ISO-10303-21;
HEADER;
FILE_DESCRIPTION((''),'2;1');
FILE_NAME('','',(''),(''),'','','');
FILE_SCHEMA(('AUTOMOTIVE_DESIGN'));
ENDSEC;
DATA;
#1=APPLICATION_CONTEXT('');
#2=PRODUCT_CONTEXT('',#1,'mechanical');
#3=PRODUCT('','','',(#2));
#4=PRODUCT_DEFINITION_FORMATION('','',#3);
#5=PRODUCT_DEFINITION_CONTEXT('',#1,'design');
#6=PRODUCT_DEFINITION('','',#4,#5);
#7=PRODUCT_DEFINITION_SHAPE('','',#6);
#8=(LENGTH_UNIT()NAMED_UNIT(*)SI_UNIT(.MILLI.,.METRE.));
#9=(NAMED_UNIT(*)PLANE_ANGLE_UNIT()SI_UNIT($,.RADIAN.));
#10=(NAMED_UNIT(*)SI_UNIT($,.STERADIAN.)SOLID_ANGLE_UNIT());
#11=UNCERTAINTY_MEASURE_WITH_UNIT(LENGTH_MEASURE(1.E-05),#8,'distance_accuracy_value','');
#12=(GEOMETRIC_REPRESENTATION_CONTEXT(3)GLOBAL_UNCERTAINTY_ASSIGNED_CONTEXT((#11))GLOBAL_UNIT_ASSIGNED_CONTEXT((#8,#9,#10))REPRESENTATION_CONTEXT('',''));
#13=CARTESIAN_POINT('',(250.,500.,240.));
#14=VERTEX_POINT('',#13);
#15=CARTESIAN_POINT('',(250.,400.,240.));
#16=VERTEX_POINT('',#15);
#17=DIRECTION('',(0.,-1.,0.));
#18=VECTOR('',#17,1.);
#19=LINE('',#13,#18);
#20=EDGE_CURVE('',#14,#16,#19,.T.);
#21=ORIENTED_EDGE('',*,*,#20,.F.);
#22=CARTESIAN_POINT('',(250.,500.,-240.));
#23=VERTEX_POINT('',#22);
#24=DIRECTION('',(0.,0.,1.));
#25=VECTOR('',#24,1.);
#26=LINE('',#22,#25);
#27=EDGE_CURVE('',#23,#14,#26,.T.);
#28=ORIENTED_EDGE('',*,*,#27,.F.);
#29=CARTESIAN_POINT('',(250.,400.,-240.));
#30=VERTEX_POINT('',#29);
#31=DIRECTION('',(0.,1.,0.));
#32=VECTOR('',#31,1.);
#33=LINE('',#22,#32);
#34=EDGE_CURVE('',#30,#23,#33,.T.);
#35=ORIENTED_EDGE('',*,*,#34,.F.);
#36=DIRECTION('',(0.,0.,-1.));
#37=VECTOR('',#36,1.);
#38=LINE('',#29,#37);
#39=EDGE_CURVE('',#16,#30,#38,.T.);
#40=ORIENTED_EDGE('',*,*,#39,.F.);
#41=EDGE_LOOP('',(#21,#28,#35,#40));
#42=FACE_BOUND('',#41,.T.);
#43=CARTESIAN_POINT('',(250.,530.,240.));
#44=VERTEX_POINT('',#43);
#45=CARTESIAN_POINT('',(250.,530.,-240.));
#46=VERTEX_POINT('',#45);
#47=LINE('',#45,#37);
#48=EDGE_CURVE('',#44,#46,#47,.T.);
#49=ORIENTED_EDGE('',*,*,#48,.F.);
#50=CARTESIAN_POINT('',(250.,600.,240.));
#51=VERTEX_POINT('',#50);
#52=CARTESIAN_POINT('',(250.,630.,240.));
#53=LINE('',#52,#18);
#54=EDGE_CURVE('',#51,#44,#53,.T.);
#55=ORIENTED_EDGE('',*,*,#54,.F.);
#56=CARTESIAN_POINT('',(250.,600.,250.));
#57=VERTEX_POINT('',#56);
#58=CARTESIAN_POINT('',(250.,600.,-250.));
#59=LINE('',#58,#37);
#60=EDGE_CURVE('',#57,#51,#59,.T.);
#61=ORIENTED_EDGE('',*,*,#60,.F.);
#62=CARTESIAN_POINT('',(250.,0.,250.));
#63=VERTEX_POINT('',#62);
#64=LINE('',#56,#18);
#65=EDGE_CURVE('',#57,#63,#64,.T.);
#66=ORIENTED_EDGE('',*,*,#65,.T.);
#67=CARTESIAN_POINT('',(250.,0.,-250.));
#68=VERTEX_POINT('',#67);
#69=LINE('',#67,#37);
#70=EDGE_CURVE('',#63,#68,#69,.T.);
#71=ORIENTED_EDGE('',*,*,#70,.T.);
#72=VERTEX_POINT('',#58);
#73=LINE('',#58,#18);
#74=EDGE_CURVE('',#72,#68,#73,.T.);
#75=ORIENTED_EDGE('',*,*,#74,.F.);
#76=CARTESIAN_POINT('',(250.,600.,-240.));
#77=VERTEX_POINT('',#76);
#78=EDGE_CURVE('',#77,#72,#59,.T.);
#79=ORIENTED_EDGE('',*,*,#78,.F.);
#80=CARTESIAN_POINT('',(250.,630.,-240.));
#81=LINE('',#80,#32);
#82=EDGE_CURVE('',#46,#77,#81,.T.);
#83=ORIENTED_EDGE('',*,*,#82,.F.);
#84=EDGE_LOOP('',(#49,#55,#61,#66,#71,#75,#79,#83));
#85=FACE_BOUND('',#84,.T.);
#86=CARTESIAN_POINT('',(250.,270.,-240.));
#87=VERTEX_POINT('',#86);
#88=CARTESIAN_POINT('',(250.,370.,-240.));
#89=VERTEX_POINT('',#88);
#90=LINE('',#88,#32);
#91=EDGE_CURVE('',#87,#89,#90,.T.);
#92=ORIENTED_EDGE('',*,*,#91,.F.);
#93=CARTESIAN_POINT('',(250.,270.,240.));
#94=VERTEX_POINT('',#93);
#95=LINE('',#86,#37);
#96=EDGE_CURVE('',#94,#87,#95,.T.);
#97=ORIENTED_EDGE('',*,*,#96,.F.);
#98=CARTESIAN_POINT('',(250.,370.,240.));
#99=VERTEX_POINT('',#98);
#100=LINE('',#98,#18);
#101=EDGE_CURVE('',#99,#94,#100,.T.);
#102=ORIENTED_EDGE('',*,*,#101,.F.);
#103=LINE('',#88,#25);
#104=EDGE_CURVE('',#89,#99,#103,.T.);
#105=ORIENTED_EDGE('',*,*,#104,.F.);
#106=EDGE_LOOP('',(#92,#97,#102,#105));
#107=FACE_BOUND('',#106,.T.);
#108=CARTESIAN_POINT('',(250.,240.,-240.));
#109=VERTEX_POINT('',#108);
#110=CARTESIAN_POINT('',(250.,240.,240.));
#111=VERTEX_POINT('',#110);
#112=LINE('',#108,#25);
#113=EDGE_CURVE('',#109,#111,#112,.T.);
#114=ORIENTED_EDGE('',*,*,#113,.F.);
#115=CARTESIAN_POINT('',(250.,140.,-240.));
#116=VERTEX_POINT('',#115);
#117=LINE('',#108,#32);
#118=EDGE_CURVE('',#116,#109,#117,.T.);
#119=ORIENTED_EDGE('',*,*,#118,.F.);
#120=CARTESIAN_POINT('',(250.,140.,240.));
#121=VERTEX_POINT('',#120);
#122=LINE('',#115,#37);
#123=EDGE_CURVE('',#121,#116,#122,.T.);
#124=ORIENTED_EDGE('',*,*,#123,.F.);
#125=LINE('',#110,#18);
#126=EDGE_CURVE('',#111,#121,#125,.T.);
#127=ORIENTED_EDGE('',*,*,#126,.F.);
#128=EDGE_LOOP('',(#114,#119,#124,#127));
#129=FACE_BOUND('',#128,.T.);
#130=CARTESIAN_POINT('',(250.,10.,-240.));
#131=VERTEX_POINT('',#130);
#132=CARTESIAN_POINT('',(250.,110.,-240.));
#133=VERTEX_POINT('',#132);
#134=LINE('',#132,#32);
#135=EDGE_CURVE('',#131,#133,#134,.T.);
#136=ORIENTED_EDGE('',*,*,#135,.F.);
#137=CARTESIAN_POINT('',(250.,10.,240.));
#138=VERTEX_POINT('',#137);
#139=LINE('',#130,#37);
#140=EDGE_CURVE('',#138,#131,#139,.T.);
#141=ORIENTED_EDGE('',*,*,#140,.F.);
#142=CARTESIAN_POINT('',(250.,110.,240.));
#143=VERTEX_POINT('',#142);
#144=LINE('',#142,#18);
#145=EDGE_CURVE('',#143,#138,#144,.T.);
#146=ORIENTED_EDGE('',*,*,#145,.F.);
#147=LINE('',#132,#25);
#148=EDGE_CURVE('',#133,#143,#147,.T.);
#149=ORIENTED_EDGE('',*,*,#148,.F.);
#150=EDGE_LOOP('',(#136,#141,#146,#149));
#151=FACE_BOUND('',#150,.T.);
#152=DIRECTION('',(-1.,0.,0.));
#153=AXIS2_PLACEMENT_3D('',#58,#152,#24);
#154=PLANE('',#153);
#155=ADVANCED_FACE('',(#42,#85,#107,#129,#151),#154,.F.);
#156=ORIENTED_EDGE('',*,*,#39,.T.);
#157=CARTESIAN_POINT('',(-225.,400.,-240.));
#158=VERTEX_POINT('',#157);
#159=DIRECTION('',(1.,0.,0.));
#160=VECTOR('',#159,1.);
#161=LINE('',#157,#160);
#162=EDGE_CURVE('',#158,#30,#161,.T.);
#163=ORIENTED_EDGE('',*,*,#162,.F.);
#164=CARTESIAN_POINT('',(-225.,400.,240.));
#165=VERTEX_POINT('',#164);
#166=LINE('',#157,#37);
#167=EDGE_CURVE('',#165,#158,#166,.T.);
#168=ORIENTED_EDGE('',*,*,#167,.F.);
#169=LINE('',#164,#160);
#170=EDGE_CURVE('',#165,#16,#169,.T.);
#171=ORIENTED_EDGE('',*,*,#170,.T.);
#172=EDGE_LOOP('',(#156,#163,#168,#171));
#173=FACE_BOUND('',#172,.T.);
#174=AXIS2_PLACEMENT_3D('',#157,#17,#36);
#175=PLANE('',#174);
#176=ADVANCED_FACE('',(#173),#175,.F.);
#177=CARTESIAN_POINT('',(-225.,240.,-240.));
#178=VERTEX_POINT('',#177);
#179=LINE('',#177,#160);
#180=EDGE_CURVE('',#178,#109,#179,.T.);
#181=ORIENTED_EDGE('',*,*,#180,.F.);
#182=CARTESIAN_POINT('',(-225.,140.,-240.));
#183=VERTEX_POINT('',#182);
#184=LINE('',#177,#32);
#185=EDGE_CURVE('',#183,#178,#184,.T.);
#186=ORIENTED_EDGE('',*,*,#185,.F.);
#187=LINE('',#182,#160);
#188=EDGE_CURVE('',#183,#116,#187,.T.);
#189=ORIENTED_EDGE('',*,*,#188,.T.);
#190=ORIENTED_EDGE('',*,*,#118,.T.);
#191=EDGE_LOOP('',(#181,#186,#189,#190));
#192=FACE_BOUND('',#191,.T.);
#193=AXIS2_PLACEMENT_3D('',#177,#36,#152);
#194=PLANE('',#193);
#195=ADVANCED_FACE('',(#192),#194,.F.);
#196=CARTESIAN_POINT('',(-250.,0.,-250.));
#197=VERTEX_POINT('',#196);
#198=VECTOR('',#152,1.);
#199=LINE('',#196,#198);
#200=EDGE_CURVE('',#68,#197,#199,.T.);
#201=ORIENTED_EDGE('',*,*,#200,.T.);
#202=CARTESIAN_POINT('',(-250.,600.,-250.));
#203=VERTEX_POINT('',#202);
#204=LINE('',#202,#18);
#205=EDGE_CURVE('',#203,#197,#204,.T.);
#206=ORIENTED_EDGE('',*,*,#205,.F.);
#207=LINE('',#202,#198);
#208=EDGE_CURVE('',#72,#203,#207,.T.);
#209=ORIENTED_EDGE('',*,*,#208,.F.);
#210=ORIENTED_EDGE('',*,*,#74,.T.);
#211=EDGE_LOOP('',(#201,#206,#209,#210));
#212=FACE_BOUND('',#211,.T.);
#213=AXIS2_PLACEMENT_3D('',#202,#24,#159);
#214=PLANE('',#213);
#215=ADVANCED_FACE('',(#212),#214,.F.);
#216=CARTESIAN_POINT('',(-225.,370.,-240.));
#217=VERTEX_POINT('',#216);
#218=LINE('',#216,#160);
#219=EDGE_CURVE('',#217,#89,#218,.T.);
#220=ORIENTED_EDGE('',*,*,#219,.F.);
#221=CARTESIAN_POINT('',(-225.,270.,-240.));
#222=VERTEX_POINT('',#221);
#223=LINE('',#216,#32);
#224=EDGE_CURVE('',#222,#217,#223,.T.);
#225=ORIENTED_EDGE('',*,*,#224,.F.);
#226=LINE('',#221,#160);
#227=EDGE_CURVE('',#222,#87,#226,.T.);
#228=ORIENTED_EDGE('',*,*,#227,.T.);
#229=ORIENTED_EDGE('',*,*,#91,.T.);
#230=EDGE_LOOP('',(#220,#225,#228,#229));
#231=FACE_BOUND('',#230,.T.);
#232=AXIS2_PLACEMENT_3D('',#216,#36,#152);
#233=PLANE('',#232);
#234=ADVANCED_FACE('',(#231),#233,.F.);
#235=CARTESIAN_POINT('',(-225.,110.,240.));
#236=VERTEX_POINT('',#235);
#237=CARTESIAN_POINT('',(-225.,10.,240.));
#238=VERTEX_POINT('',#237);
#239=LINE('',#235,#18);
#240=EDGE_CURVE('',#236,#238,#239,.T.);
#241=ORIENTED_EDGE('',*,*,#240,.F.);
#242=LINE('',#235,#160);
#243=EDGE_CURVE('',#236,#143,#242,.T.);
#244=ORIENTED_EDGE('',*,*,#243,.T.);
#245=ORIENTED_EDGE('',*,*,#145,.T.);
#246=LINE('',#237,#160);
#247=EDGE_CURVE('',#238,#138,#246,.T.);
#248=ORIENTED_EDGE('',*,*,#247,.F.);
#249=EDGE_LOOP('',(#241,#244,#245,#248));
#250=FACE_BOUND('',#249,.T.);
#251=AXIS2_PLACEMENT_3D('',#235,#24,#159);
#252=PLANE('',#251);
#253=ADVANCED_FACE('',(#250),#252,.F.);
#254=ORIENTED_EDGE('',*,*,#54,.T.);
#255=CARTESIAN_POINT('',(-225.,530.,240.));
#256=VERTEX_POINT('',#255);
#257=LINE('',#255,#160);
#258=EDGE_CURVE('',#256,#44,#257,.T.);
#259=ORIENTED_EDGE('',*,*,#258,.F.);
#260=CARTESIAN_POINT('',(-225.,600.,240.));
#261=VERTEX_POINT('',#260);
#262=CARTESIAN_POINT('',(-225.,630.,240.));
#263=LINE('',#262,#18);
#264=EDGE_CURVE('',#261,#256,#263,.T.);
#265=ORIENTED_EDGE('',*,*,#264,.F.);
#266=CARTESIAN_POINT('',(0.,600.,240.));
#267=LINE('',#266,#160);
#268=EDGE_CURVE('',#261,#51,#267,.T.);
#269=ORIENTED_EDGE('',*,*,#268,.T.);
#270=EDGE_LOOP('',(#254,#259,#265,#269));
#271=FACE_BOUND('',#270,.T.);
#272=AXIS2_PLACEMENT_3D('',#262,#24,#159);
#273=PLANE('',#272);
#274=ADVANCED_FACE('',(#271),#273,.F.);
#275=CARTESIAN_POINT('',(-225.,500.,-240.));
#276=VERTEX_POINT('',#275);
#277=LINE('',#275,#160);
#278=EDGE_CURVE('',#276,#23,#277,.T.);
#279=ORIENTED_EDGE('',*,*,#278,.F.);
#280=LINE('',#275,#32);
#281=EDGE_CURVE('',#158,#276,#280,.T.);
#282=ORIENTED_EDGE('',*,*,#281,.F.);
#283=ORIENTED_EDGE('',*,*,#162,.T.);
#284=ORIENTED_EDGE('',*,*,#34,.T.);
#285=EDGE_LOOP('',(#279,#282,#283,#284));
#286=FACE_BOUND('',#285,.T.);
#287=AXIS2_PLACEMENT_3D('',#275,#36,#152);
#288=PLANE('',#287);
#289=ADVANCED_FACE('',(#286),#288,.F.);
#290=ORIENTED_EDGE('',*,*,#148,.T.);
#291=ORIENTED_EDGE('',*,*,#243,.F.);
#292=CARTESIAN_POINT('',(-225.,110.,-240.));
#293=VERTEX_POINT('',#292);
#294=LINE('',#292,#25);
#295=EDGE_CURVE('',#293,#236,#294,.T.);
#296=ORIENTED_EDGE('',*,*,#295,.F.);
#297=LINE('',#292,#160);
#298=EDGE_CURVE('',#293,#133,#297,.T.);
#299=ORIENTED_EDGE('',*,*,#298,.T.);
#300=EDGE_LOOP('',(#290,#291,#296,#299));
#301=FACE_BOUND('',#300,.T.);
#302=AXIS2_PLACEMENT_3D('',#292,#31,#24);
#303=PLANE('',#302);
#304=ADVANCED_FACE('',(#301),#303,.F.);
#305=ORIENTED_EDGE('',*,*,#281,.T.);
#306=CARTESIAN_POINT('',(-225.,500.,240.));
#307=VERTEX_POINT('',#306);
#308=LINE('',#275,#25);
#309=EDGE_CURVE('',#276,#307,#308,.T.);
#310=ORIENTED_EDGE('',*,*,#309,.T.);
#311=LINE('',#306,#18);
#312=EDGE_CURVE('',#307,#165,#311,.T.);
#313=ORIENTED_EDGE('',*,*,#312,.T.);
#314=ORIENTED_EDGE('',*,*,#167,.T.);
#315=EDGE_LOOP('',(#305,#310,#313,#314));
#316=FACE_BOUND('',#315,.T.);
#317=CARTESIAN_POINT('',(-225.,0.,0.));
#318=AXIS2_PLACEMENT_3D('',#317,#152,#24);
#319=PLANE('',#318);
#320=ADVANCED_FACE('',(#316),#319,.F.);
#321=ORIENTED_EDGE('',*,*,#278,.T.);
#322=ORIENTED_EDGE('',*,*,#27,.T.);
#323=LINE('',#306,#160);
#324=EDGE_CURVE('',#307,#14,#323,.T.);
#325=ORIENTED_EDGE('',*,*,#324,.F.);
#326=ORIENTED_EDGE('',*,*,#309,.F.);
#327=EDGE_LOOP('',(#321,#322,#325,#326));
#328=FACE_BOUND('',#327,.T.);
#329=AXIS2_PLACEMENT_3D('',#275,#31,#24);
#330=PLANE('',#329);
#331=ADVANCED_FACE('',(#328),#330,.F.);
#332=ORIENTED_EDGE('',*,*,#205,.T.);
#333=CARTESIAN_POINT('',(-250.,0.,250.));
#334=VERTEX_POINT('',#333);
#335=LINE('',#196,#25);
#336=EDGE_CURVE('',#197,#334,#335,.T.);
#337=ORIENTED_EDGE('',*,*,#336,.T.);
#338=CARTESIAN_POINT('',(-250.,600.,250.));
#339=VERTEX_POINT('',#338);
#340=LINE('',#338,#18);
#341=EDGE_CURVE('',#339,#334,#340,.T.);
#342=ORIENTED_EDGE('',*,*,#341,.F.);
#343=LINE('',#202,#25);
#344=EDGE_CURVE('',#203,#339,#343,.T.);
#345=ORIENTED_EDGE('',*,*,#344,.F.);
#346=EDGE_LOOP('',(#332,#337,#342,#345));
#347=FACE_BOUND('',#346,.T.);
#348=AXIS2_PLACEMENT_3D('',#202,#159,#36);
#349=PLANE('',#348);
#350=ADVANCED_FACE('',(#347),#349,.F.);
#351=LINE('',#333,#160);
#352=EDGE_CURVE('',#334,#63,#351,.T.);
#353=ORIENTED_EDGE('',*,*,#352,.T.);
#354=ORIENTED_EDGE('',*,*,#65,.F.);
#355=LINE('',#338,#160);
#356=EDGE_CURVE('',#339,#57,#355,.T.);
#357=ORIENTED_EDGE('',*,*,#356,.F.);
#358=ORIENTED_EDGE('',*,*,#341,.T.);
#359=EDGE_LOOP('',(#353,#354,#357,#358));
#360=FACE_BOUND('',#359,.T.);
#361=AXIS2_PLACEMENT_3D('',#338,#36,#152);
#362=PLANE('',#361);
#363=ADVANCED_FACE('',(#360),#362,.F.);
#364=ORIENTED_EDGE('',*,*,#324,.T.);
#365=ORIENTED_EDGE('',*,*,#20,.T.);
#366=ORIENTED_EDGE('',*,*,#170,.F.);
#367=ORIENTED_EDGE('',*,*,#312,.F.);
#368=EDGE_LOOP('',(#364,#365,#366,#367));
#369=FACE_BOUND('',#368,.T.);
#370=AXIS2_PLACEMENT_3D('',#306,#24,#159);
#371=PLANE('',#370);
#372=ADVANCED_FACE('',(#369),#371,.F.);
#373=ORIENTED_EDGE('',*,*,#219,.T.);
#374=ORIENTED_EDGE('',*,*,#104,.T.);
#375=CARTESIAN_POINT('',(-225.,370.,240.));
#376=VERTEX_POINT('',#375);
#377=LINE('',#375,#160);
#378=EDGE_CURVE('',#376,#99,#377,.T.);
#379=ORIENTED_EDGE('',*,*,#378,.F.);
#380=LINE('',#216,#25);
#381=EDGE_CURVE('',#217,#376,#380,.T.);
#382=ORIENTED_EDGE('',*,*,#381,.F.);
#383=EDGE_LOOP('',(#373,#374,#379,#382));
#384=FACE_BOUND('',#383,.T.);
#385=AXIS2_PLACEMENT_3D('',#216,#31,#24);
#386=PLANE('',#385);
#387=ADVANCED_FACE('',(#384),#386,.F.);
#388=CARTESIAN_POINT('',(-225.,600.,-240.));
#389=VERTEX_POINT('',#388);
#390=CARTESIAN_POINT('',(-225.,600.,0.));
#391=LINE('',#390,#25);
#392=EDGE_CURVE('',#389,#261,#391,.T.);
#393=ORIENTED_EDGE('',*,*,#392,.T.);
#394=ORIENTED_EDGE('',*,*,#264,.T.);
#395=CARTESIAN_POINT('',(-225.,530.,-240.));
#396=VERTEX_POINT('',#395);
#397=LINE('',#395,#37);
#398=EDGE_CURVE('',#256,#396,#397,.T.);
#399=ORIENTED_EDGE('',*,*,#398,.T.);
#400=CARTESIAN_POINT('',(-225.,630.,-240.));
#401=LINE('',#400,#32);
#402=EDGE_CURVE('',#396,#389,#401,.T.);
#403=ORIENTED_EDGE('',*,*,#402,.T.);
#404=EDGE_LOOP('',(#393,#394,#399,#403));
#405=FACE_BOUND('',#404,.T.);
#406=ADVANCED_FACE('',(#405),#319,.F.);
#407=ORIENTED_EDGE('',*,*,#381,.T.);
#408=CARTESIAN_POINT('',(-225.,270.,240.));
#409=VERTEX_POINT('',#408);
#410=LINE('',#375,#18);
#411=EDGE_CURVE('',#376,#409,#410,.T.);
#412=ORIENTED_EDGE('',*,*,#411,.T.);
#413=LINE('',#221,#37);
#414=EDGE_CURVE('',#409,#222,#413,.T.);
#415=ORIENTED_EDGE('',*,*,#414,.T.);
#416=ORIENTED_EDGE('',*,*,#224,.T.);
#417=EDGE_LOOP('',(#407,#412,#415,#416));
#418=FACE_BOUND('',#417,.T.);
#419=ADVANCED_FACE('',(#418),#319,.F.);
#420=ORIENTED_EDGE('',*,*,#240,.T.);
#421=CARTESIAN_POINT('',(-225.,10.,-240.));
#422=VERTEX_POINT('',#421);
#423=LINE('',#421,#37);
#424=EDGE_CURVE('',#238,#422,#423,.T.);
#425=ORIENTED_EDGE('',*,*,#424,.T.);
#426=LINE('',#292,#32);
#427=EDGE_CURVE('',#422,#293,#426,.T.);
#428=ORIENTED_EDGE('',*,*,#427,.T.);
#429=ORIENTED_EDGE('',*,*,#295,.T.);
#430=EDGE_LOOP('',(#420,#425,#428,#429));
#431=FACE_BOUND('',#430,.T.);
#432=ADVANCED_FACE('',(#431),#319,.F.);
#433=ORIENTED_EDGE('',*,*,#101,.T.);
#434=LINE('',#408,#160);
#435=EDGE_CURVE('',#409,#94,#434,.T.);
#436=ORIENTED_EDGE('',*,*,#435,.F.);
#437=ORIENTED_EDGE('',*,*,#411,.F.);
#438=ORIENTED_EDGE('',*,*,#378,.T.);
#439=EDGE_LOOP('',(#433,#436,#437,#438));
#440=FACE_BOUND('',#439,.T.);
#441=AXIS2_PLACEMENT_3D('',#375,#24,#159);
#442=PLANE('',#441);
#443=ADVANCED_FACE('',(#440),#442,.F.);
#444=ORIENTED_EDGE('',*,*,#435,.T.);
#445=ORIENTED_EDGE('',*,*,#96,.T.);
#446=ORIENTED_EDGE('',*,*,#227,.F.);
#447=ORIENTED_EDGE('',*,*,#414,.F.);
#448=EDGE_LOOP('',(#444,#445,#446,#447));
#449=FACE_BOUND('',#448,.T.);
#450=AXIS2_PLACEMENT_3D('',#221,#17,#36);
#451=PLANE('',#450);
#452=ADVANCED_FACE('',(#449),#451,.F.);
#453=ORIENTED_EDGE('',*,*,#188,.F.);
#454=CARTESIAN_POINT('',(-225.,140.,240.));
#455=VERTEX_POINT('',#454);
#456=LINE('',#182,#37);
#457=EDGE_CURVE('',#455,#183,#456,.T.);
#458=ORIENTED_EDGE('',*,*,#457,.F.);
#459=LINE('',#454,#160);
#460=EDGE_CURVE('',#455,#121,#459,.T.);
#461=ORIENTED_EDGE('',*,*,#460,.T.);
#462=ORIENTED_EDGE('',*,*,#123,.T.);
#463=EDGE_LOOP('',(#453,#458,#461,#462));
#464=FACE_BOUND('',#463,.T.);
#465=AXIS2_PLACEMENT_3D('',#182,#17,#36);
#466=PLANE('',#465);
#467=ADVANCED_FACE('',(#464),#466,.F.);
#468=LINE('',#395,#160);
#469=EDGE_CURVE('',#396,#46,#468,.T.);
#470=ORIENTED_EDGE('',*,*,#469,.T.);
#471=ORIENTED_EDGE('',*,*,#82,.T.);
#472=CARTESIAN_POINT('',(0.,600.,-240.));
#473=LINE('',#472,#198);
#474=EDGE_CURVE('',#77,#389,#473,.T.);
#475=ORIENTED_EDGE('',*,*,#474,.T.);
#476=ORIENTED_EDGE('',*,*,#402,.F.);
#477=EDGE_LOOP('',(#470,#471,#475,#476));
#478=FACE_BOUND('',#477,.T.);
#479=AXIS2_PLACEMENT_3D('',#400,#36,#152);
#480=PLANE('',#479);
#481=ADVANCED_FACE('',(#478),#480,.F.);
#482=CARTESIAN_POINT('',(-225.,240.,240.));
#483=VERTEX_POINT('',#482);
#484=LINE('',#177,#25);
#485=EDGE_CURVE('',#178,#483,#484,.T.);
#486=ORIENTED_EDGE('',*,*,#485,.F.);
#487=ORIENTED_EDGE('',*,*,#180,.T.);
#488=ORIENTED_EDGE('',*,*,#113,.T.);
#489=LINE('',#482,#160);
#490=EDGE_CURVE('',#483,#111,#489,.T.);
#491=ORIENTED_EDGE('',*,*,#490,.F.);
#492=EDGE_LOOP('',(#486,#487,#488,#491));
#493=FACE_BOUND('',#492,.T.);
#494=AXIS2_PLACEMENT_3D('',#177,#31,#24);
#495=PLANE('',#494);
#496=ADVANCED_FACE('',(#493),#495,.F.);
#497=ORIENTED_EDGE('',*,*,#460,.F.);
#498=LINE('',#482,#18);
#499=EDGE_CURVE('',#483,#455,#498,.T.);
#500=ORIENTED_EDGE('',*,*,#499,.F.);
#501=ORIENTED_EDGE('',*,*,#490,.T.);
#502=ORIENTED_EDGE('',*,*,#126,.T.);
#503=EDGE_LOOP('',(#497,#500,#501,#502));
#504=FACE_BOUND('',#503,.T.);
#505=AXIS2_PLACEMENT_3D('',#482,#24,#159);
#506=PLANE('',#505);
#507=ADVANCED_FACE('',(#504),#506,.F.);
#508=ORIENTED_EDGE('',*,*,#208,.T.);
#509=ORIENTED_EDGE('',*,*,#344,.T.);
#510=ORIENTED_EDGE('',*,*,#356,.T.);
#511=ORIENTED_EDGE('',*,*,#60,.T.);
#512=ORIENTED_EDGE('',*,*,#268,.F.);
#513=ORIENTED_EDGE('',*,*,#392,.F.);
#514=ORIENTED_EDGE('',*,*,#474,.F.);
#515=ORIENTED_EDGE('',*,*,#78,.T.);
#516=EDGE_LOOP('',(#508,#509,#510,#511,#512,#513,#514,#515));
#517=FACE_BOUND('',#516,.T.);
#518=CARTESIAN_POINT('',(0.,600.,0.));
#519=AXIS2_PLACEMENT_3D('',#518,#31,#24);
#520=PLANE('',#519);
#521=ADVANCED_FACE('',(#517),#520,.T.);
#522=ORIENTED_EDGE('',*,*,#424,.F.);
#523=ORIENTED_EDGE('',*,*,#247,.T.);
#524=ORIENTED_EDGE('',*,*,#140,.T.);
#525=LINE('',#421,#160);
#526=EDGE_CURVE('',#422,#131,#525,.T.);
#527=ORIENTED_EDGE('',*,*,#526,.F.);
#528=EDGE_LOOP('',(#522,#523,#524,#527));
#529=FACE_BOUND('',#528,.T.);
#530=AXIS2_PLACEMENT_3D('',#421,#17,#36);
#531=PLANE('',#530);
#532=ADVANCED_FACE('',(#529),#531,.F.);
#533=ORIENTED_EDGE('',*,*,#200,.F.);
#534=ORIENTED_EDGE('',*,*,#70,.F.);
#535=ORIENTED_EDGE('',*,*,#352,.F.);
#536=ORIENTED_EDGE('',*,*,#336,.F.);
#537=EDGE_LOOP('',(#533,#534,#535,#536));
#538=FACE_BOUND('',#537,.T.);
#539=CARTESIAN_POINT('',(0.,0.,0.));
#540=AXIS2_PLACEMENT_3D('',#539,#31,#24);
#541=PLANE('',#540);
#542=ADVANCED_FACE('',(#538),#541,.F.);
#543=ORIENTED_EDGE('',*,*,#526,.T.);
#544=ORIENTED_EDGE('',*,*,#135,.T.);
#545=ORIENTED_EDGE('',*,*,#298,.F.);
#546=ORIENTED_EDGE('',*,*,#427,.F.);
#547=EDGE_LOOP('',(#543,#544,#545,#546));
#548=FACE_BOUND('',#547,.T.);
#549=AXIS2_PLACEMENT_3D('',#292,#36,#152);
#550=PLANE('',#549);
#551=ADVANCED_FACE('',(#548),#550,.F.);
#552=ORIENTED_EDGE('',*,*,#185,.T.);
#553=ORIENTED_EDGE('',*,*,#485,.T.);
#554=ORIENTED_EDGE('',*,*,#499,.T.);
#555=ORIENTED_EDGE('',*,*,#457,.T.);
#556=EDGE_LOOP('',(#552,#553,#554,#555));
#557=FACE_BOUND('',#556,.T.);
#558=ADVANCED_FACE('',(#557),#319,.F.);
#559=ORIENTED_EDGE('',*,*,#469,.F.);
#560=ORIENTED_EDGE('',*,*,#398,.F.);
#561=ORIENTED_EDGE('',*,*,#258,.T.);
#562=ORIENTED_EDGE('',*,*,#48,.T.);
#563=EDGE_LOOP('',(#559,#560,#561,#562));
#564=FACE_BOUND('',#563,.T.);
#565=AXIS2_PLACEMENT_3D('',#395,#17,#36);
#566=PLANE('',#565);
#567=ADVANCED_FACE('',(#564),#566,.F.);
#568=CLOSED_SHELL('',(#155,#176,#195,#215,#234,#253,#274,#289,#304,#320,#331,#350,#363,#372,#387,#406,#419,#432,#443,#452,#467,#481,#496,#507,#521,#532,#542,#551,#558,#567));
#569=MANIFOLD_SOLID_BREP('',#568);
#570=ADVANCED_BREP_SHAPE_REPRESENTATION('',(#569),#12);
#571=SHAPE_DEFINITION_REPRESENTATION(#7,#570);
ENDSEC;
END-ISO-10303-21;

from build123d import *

# Parameters (mm, degrees)
SKETCH1_W           = 500
SKETCH1_H           = 500
BOSS_EXTRUDE1_DEPTH = 600
SKETCH3_W           = 480
SKETCH3_H           = 100
CUT_EXTRUDE2_DEPTH  = 475


with BuildPart() as part:
    # Sketch1 → Boss-Extrude1 (new body)
    with BuildSketch(Plane(origin=(0, 0, 0), x_dir=(1, 0, 0), z_dir=(0, 1, 0))):
        Rectangle(SKETCH1_W, SKETCH1_H)
    extrude(amount=BOSS_EXTRUDE1_DEPTH)

    # Sketch3 → Cut-Extrude2 (cut)
    with BuildSketch(Plane(origin=(250, 0, 0), x_dir=(0, 0, -1), z_dir=(1, 0, 0))):
        with Locations((0, 60)):
            Rectangle(SKETCH3_W, SKETCH3_H)
        with Locations((0, 190)):
            Rectangle(SKETCH3_W, SKETCH3_H)
        with Locations((0, 320)):
            Rectangle(SKETCH3_W, SKETCH3_H)
        with Locations((0, 450)):
            Rectangle(SKETCH3_W, SKETCH3_H)
        with Locations((0, 580)):
            Rectangle(SKETCH3_W, SKETCH3_H)
    extrude(amount=-CUT_EXTRUDE2_DEPTH, mode=Mode.SUBTRACT)


solid = part.part
